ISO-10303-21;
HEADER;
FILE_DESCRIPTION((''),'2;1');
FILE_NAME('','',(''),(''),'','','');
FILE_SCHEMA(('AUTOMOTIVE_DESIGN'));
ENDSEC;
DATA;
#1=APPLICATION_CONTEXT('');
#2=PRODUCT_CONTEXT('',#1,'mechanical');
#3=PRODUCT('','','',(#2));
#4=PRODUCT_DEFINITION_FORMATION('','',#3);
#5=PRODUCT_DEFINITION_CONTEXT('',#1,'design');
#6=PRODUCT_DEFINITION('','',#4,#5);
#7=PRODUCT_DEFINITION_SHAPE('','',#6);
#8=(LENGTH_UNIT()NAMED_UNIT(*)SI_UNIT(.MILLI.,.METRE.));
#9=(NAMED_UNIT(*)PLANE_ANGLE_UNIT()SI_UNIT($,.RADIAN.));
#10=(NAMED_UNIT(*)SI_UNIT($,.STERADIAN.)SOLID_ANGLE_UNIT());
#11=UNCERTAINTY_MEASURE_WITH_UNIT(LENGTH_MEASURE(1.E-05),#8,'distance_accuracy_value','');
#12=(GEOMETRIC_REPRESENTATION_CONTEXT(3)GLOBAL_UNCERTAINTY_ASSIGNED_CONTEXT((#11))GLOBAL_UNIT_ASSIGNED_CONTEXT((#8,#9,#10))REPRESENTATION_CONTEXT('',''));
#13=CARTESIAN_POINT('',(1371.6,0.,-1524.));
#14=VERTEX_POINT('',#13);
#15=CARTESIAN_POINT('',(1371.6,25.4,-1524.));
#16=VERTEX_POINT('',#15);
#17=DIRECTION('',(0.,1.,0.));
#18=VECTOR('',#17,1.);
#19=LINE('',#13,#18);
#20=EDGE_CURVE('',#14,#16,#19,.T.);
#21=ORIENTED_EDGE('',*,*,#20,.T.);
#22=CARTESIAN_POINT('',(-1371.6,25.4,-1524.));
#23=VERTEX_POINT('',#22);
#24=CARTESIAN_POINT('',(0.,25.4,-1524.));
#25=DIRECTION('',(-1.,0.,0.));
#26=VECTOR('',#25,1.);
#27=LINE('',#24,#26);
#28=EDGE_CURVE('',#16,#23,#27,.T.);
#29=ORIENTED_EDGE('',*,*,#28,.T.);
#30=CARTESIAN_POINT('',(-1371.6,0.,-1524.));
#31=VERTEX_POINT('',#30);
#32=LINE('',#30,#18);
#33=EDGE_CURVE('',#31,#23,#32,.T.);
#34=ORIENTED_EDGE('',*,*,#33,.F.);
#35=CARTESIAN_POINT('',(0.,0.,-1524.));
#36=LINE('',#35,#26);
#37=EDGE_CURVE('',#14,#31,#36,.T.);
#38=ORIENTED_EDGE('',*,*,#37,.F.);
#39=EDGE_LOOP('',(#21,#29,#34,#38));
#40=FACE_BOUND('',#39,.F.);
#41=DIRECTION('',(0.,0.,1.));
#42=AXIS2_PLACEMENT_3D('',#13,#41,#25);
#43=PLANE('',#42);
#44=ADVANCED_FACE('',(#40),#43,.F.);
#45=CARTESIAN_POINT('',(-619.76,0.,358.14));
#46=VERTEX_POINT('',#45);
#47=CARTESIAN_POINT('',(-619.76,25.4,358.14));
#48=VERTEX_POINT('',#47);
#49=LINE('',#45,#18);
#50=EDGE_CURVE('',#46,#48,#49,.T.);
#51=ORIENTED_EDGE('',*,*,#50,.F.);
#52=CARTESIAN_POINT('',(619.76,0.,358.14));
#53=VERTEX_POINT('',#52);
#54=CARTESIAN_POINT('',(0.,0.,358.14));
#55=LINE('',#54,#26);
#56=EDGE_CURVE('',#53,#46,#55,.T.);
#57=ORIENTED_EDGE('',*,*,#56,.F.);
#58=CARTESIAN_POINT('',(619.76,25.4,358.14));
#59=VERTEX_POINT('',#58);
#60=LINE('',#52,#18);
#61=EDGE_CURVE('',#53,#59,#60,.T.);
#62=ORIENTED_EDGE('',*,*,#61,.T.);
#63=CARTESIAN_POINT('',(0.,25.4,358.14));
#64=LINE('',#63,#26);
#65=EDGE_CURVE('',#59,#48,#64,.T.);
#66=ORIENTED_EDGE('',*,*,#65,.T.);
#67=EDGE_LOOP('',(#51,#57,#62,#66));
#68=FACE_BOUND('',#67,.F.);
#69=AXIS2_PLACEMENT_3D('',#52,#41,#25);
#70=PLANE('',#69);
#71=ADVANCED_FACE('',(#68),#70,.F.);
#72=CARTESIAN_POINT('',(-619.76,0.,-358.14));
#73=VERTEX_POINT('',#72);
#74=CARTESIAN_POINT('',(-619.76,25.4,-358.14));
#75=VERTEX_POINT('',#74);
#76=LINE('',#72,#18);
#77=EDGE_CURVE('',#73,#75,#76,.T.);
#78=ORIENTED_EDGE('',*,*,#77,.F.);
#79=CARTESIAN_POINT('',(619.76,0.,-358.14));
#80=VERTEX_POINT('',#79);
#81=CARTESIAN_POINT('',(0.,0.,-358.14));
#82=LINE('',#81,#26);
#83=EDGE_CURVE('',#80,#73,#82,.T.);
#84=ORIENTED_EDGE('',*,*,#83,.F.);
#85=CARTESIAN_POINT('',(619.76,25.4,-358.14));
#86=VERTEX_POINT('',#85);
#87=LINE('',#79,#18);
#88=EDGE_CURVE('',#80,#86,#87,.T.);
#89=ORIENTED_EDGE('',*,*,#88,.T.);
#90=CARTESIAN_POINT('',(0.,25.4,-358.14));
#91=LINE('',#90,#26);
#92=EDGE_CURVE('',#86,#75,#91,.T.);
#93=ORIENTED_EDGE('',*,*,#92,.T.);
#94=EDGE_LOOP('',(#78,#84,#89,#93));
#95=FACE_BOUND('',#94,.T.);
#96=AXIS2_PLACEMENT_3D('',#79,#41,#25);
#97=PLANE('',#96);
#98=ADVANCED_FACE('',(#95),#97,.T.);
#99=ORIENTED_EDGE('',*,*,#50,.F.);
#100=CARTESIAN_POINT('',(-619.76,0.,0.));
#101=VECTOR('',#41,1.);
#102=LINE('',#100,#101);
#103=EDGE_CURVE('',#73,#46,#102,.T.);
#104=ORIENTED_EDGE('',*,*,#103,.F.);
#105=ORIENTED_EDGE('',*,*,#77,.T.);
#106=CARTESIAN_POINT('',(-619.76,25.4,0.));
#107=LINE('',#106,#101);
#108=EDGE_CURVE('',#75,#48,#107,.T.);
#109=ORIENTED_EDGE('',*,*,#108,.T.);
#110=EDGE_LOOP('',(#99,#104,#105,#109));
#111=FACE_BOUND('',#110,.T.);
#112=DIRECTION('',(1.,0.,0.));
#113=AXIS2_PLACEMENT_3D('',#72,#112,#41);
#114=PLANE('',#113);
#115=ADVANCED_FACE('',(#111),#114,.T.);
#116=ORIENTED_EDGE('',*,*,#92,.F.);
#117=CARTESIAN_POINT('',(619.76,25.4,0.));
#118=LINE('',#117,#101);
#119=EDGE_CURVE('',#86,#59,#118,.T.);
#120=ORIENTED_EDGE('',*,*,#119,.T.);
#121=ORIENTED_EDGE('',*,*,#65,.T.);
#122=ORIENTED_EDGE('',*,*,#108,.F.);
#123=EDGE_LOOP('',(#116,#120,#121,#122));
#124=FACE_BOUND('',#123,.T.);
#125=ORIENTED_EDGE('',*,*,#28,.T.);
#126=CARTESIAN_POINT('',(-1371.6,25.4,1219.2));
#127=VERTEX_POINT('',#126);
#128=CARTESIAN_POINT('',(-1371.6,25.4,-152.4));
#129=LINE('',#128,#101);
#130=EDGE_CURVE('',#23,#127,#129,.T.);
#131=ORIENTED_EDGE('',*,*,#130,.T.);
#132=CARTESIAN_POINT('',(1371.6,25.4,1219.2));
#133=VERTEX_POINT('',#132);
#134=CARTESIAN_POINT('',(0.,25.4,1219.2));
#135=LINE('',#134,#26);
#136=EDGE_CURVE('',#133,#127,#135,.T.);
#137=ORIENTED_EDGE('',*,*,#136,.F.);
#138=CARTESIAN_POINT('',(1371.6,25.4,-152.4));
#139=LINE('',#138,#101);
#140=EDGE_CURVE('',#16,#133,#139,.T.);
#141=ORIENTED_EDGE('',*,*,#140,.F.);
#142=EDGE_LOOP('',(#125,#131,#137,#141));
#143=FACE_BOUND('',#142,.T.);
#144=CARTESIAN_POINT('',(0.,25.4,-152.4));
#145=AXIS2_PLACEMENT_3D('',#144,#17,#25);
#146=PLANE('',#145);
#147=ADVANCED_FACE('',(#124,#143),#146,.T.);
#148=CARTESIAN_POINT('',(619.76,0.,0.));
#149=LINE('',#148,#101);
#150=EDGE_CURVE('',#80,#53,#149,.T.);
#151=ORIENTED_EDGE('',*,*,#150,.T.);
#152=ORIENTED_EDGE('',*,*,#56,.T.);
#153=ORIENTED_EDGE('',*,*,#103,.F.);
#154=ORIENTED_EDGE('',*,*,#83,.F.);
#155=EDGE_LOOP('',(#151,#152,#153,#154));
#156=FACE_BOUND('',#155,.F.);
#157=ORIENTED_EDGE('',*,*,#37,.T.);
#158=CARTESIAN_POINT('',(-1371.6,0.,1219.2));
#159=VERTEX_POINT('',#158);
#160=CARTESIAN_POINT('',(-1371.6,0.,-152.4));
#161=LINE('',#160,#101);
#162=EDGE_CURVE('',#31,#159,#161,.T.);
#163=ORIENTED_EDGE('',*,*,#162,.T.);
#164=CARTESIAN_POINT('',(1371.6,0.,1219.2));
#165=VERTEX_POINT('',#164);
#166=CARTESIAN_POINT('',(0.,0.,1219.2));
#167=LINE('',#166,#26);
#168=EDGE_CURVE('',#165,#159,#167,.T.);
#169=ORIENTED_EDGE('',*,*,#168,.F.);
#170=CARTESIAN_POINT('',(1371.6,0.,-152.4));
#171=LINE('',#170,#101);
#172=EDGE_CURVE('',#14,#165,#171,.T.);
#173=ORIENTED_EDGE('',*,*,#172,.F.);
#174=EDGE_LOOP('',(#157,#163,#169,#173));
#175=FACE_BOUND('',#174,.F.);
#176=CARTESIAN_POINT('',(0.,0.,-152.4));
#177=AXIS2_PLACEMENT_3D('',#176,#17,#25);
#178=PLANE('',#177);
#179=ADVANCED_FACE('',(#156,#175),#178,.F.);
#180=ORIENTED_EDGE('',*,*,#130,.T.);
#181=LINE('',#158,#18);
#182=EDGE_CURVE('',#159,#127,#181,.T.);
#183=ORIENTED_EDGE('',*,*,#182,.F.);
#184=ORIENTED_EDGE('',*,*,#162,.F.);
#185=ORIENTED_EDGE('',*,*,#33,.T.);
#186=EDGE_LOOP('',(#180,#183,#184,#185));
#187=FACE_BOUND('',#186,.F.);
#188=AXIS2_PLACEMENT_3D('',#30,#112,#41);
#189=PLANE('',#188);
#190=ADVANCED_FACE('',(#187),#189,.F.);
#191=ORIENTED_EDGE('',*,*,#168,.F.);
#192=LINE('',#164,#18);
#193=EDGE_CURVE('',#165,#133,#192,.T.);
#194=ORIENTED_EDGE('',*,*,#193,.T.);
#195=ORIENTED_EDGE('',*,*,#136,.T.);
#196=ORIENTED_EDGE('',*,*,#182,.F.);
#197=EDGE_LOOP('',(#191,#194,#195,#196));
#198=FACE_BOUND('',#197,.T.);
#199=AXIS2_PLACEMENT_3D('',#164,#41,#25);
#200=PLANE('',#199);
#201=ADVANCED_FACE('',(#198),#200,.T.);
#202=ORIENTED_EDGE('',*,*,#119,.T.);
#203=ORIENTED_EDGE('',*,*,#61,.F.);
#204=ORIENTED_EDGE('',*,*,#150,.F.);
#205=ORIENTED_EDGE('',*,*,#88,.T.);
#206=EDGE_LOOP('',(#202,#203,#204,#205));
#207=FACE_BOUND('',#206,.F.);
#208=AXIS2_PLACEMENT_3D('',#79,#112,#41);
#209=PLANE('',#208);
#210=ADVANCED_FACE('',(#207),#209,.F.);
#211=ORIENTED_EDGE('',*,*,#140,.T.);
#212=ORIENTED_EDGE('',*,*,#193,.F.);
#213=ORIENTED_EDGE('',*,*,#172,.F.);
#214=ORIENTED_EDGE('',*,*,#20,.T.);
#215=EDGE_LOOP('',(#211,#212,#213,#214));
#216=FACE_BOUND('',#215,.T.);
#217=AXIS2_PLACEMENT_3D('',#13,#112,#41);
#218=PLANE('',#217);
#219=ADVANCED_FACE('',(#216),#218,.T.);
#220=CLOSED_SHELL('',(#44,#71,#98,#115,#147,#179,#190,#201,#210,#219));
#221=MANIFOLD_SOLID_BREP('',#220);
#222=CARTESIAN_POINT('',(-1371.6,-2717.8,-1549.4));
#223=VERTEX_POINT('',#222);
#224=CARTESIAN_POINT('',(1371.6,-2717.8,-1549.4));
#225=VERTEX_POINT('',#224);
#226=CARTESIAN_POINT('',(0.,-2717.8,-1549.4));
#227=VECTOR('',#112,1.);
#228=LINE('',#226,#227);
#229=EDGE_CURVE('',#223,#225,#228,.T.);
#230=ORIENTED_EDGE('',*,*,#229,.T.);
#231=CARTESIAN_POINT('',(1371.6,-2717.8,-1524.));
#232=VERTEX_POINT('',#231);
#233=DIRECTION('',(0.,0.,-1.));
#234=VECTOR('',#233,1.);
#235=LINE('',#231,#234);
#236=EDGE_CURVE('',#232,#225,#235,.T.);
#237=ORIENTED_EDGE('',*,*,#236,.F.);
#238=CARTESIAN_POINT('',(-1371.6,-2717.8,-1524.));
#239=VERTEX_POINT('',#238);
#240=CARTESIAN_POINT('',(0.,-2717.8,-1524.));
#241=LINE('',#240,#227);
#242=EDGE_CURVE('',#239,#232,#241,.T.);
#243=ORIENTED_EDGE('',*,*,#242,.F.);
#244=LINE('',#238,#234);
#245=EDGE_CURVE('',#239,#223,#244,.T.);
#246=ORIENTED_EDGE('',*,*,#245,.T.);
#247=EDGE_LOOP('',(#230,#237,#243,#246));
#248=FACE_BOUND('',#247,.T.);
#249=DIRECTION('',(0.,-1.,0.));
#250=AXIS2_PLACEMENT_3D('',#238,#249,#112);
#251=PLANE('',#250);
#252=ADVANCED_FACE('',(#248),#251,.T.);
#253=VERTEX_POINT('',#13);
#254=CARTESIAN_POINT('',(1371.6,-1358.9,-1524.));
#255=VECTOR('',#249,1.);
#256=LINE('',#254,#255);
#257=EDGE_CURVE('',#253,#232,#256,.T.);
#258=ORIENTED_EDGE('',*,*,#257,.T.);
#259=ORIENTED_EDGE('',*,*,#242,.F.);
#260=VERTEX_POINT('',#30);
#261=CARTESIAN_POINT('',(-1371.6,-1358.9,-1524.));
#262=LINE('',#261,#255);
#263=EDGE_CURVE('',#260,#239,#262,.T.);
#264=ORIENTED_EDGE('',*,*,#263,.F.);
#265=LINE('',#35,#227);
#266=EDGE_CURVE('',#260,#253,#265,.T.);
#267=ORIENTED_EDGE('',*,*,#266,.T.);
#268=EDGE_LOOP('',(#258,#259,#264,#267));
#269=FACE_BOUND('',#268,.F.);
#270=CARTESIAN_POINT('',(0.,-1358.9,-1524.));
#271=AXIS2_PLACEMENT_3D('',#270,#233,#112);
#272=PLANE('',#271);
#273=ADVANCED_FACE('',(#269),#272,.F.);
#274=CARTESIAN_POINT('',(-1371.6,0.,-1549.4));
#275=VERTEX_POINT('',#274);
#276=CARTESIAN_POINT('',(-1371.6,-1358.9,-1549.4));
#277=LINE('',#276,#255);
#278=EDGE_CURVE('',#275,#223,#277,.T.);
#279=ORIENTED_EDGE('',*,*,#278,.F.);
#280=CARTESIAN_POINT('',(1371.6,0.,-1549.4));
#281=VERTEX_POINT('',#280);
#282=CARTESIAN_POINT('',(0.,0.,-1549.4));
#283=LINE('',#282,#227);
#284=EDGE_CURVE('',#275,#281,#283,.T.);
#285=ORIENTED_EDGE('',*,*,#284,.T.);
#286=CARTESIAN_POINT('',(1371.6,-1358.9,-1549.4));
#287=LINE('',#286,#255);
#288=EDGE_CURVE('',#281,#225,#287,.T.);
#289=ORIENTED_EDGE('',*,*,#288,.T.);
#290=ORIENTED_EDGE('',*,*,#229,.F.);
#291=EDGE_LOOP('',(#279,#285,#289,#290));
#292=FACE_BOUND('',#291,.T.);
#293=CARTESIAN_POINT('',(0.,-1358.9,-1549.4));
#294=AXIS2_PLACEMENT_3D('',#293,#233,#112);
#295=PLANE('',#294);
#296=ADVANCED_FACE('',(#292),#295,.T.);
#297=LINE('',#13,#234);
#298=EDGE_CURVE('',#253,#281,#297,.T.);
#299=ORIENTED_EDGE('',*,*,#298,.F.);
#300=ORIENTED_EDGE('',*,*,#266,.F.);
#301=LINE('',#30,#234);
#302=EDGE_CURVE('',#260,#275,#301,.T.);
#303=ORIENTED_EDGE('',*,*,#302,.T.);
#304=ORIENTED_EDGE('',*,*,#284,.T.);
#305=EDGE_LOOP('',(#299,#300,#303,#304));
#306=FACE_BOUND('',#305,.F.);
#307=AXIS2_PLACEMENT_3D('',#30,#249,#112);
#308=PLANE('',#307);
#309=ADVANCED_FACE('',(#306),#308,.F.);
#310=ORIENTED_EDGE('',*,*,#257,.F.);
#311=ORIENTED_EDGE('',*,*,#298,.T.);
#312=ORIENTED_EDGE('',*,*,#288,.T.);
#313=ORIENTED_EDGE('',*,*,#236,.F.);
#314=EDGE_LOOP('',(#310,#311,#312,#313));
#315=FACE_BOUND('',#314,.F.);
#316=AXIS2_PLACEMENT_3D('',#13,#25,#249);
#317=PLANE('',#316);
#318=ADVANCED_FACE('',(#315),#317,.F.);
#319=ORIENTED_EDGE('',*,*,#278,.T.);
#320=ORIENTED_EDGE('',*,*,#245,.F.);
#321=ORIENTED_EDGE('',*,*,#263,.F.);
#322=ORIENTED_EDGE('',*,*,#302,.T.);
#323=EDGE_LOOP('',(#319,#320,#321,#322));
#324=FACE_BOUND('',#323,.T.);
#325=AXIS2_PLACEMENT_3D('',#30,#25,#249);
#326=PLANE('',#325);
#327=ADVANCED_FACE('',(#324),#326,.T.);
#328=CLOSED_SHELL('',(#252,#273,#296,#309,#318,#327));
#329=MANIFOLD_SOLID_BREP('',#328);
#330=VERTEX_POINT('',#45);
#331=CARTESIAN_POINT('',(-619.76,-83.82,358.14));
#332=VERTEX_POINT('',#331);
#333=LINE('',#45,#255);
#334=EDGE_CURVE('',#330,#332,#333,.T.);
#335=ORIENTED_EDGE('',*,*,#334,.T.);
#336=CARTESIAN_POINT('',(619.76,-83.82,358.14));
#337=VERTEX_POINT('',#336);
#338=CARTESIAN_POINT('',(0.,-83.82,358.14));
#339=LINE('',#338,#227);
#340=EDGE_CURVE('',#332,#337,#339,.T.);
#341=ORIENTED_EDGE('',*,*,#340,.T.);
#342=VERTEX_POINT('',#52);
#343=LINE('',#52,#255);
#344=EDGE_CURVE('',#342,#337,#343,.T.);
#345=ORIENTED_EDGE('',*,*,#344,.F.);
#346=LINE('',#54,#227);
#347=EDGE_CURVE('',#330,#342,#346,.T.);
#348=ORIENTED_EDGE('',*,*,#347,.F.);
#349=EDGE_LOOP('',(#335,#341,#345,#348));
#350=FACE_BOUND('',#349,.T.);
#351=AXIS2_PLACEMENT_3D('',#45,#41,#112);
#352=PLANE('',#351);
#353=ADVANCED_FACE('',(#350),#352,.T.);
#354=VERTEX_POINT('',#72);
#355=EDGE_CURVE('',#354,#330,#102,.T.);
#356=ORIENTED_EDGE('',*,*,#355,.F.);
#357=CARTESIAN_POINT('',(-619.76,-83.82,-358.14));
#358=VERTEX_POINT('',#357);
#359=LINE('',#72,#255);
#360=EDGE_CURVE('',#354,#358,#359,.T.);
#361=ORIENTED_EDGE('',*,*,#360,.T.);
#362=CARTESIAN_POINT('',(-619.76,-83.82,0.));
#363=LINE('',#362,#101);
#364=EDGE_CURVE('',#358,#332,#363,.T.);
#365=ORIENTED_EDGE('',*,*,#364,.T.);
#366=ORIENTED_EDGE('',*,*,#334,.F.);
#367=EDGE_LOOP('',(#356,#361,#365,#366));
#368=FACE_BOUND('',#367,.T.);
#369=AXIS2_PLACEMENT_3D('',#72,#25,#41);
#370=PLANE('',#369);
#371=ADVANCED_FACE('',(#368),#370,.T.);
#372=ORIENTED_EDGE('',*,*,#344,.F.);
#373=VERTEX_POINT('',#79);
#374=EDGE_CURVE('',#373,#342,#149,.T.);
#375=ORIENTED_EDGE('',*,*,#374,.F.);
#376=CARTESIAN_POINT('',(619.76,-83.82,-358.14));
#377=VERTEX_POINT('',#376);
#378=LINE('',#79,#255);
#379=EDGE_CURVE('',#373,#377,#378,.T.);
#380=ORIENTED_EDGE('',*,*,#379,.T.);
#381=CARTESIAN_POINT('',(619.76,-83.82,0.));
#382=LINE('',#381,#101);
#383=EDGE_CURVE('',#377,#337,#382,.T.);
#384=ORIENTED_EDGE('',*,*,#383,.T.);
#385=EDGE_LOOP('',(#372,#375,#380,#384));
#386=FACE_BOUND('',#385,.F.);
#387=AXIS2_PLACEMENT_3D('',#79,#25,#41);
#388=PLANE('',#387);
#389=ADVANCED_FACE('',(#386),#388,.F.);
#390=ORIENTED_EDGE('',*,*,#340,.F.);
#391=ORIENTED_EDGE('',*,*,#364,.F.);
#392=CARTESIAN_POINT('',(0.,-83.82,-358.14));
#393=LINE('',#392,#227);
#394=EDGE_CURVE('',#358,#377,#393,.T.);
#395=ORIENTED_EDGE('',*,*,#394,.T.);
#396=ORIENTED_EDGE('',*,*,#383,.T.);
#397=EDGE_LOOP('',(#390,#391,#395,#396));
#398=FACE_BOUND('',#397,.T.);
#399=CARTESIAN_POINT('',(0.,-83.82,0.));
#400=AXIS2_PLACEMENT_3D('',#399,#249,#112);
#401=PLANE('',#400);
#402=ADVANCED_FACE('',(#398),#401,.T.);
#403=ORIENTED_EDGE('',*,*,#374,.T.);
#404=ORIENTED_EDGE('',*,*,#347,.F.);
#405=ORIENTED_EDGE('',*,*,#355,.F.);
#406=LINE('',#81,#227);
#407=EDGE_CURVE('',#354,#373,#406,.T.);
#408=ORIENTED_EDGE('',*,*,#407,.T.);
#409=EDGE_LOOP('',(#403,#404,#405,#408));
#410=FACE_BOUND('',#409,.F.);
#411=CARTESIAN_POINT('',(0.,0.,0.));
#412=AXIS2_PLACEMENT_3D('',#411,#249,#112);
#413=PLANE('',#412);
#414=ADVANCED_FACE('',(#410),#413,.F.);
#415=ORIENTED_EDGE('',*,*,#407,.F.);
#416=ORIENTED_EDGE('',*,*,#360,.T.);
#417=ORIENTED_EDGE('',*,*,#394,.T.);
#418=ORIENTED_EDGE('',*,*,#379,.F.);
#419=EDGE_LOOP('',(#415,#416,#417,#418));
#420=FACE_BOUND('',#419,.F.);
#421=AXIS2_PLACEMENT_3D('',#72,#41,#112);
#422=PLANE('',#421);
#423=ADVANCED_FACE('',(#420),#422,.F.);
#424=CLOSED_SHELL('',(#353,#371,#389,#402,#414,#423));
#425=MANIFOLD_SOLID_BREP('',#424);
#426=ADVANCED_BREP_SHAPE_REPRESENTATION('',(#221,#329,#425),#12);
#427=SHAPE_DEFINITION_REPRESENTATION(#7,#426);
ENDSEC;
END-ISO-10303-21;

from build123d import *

# Parameters (mm, degrees)
F0_W     = 1239.52
F0_H     = 716.28
F1_DEPTH = 83.82
F2_W     = 2743.2
F2_H     = 2743.2
F2_W_2   = 1239.52
F2_H_2   = 716.28
F3_DEPTH = 25.4
F4_W     = 2743.2
F4_H     = 2717.8
F5_DEPTH = 25.4


with BuildPart() as f1:
    # F0 (on Front) → F1 (new body)
    with BuildSketch(Plane.XZ):
        Rectangle(F0_W, F0_H)
    extrude(amount=F1_DEPTH)


with BuildPart() as f3:
    # F2 (on face) → F3 (new body)
    with BuildSketch(Plane(origin=(0, 0, 0), x_dir=(-1, 0, 0), z_dir=(0, 1, 0))):
        with Locations((0, -152.4)):
            Rectangle(F2_W, F2_H)
        Rectangle(F2_W_2, F2_H_2, mode=Mode.SUBTRACT)
    extrude(amount=F3_DEPTH)


with BuildPart() as f5:
    # F4 (on face) → F5 (new body)
    with BuildSketch(Plane(origin=(0, 0, -1524), x_dir=(1, 0, 0), z_dir=(0, 0, -1))):
        with Locations((0, 1358.9)):
            Rectangle(F4_W, F4_H)
    extrude(amount=F5_DEPTH)


solid = Compound([f1.part, f3.part, f5.part])
